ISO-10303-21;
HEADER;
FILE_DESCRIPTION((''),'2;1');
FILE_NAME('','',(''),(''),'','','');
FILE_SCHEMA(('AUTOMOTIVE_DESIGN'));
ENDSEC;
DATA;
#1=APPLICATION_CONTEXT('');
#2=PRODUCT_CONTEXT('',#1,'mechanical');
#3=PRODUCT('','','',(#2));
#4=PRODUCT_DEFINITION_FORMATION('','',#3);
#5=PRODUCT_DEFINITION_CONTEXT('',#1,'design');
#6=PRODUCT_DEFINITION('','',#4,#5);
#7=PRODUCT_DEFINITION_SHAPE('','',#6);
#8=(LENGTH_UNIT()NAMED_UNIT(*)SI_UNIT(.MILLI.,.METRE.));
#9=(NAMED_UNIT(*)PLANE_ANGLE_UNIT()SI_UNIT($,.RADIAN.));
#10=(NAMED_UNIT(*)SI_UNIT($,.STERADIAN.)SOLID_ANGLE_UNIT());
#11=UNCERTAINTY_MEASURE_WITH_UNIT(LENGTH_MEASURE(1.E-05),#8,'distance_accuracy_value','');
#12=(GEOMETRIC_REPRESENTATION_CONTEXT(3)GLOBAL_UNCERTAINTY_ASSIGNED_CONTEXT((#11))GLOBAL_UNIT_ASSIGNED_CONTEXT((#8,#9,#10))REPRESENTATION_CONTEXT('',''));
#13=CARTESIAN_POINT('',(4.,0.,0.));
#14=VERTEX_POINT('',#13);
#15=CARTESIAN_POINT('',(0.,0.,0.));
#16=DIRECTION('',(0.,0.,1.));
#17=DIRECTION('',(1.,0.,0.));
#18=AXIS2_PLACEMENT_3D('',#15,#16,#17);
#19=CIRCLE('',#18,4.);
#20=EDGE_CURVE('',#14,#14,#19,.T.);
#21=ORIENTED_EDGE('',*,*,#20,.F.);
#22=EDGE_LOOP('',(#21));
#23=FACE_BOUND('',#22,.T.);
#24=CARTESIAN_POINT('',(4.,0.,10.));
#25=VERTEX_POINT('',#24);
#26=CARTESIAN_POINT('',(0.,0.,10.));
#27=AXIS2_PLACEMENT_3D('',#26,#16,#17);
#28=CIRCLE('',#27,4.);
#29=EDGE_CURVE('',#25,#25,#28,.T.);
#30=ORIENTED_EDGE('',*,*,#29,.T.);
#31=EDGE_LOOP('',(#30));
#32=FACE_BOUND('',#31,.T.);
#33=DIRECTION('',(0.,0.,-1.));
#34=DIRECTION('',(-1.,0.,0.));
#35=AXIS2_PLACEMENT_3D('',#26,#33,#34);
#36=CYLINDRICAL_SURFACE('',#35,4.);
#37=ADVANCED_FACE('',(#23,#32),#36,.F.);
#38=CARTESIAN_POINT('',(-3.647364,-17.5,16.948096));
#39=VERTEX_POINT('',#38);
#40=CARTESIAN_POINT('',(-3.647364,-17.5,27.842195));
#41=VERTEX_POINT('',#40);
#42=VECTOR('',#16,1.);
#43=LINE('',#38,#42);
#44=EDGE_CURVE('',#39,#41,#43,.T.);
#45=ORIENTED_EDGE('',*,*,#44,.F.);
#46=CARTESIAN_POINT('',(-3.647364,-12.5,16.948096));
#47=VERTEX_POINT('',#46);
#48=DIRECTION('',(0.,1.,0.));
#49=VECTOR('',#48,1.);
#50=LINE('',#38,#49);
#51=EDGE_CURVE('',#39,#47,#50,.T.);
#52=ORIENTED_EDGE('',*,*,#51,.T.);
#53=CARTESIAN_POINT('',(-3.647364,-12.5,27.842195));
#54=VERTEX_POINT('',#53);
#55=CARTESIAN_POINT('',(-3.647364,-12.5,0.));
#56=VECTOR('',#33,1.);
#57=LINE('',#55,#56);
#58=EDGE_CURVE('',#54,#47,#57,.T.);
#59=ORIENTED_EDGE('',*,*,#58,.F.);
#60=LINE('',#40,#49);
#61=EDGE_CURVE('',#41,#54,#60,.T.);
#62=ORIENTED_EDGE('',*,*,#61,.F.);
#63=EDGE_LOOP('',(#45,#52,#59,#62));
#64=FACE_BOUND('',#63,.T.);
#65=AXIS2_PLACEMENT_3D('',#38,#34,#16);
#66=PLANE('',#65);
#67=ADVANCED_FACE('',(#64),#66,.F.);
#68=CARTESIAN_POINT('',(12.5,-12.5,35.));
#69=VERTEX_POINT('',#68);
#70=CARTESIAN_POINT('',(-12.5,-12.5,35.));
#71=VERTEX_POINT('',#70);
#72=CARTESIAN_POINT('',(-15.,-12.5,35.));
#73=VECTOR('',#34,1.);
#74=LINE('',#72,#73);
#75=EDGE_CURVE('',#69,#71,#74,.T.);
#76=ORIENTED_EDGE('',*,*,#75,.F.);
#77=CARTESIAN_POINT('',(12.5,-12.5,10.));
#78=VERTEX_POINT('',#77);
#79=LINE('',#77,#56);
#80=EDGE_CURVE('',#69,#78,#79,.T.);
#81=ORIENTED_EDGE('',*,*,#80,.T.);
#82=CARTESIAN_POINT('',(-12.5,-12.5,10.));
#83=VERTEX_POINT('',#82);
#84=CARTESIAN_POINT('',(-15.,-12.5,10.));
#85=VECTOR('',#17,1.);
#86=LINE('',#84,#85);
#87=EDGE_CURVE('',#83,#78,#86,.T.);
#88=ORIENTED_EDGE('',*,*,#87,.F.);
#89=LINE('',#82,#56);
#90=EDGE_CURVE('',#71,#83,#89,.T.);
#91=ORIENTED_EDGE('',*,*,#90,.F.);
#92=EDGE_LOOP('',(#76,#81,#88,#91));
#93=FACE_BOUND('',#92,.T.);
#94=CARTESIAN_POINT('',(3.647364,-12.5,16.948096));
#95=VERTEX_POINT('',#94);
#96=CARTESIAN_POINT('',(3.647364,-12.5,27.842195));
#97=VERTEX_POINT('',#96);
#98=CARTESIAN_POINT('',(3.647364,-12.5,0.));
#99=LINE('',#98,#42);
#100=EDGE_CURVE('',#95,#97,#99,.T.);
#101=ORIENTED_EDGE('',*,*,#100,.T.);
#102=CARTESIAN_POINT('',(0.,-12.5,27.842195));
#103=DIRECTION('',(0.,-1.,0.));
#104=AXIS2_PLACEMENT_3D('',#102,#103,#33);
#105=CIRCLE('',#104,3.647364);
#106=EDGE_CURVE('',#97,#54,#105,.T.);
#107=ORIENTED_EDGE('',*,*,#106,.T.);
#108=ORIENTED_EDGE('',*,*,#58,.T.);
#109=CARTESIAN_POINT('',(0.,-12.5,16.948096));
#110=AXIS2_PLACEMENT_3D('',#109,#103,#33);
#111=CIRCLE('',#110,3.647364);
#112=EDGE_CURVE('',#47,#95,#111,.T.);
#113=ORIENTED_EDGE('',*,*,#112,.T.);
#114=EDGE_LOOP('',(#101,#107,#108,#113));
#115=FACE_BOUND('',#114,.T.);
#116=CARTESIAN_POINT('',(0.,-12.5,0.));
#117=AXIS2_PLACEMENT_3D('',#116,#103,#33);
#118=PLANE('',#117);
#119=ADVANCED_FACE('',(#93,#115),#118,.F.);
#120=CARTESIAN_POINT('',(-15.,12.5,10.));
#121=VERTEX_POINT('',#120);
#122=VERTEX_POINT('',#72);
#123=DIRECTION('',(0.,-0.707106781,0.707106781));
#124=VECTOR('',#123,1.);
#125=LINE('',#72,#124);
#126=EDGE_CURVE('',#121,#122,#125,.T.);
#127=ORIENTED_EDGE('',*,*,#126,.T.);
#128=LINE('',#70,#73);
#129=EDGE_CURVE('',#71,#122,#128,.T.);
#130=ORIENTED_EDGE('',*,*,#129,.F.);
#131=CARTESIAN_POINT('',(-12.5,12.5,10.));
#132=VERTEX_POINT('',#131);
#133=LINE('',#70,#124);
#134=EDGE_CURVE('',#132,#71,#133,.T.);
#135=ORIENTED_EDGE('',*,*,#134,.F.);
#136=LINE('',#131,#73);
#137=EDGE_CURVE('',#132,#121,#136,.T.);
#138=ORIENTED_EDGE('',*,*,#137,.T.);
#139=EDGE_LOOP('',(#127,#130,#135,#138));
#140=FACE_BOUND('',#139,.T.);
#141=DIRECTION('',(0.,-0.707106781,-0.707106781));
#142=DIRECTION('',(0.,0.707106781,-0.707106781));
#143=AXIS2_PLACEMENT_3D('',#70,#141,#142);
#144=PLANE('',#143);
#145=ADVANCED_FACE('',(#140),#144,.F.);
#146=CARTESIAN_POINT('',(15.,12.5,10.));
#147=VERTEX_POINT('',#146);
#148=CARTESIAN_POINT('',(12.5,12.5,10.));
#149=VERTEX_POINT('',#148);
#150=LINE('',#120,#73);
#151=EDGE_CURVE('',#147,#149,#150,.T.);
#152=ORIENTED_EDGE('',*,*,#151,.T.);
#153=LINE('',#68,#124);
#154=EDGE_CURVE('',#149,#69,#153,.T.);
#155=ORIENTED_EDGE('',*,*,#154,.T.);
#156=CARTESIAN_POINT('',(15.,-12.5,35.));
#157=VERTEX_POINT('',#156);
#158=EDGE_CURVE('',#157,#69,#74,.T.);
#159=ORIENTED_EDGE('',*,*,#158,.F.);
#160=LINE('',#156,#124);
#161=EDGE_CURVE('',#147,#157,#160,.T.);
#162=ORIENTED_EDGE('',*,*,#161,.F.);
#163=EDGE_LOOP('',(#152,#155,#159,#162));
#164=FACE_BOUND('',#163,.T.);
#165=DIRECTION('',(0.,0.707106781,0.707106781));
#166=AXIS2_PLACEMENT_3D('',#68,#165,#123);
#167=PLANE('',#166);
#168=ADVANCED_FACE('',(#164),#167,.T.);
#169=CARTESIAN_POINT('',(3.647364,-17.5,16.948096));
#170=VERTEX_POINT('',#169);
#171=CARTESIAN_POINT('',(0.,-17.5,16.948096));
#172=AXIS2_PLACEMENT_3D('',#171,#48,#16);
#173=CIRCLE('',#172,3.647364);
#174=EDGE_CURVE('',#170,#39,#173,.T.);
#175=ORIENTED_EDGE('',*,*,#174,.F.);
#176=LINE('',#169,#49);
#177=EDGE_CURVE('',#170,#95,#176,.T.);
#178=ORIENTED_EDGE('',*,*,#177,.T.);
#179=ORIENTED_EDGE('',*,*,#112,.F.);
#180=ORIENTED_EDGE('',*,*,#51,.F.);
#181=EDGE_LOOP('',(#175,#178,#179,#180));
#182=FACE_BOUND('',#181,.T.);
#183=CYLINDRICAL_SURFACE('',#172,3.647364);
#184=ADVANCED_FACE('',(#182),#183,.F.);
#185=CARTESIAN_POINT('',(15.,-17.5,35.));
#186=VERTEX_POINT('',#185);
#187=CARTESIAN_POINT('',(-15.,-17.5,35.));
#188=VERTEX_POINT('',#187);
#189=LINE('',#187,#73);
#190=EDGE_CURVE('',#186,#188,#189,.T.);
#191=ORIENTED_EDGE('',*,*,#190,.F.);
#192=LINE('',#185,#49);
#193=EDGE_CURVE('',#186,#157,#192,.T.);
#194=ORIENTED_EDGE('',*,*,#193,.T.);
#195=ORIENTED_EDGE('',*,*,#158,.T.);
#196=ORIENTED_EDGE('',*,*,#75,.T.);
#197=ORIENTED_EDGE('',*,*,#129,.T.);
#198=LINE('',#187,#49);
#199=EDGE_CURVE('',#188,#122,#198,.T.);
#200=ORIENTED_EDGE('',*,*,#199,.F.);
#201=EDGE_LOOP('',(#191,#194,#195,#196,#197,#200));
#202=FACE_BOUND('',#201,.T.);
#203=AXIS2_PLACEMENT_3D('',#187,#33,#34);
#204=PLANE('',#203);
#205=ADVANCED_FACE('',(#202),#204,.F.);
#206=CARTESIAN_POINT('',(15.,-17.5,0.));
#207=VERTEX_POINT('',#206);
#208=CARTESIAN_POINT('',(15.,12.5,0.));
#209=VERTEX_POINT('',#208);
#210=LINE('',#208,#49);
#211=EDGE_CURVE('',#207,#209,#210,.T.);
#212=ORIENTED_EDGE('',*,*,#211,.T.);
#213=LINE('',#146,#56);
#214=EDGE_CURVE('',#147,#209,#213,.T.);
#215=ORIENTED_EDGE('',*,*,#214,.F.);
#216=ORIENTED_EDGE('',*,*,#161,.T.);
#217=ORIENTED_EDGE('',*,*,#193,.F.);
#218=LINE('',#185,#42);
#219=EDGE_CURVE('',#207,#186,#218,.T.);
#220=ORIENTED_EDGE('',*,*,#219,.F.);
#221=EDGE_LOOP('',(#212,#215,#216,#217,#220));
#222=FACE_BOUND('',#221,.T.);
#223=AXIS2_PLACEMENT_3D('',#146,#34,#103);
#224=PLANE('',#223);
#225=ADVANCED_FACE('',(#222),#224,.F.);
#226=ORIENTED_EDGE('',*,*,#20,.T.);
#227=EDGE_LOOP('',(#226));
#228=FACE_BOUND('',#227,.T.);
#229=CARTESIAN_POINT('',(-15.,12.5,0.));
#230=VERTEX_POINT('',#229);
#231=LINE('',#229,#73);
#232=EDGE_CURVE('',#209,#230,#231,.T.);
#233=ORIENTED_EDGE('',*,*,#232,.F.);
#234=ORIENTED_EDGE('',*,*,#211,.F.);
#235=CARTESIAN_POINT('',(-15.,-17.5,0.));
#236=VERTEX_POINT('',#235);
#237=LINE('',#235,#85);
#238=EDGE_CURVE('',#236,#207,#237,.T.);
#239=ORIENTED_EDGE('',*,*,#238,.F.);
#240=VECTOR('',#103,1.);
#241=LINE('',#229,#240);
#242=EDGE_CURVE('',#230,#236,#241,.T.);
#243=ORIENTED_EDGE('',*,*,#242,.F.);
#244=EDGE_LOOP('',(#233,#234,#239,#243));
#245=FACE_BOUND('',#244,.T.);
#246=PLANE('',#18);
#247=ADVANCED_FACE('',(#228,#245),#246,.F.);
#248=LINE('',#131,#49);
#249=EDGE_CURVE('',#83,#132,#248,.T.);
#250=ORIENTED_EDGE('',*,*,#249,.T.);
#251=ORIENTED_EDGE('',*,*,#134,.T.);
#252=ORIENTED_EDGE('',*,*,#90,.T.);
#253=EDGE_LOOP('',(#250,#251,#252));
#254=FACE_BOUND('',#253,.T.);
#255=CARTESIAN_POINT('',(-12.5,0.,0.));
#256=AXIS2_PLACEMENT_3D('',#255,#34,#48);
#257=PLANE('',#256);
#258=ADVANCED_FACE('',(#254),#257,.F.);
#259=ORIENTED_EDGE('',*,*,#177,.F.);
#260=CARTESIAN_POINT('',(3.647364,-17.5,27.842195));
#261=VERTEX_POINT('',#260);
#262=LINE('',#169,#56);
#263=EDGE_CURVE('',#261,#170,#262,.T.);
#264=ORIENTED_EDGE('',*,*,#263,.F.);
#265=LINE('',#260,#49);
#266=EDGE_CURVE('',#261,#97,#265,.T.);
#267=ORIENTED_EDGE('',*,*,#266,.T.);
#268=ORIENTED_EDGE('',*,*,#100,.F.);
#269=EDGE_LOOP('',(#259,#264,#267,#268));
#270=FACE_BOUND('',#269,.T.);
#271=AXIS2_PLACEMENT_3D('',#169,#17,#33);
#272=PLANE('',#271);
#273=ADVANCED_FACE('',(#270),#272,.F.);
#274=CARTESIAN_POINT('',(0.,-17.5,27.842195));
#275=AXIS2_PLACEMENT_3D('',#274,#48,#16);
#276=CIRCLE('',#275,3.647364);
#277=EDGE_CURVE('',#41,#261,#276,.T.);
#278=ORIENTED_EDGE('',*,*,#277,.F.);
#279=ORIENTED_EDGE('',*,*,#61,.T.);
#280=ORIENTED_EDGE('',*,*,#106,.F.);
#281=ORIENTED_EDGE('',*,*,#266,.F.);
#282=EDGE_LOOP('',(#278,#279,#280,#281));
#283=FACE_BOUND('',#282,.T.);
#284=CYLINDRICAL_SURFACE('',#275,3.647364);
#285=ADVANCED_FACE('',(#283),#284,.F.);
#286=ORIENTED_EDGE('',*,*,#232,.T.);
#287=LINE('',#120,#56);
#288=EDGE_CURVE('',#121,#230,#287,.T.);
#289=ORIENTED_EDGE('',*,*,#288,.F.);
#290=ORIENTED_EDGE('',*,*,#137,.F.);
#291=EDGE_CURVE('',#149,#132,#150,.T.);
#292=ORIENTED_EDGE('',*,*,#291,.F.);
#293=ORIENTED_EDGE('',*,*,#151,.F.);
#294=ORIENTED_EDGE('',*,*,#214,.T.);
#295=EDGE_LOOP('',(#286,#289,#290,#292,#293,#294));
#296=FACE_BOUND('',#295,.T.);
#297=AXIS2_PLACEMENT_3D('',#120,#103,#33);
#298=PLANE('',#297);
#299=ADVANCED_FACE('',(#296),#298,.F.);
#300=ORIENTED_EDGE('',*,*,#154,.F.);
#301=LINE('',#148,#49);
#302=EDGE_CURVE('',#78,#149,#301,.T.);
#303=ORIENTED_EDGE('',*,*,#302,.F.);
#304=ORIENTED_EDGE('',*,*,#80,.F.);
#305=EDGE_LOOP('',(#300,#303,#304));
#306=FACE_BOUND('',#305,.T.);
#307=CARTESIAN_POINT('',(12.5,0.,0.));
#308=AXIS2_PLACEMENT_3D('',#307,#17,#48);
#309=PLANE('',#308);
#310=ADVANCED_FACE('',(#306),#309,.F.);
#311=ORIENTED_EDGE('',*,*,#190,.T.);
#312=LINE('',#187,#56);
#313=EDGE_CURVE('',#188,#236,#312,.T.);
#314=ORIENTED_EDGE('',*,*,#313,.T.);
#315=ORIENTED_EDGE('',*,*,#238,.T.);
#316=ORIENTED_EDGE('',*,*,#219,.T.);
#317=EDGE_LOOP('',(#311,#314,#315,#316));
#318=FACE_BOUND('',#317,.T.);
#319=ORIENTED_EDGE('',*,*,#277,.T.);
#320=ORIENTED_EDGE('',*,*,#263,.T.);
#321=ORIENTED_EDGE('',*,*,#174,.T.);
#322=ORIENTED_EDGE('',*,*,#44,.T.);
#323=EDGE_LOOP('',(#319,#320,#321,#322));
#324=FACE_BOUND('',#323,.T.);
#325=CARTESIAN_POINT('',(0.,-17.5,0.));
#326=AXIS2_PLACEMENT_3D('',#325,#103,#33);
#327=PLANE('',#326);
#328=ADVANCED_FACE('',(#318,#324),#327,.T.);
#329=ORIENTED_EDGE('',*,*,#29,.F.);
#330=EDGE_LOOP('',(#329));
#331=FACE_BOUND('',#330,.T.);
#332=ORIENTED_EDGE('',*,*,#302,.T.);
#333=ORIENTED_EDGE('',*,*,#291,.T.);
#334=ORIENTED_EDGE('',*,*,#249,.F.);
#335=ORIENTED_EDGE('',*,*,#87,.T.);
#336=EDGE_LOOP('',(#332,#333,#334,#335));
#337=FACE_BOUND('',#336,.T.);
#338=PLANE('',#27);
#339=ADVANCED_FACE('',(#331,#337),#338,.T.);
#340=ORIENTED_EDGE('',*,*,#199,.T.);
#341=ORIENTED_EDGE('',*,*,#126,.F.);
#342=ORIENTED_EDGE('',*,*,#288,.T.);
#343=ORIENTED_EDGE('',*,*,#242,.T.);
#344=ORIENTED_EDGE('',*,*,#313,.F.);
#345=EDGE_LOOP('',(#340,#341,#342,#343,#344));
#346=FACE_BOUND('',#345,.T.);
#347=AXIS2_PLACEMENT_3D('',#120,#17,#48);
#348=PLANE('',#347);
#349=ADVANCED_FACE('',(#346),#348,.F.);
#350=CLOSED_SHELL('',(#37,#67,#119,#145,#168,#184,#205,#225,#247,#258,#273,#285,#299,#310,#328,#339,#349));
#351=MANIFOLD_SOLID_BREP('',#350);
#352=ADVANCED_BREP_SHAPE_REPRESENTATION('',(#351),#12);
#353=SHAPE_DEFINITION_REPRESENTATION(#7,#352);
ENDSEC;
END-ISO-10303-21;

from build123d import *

# Parameters (mm, degrees)
SKETCH1_W               = 30
SKETCH1_H               = 25
SKETCH1_R               = 4
BOSS_EXTRUDE1_DEPTH     = 10
SKETCH2_W               = 30
SKETCH2_H               = 35
BOSS_EXTRUDE3_DEPTH     = 5
BOSS_EXTRUDE4_DEPTH     = 2.5
CUT_EXTRUDE1_DEPTH      = 26
CUT_EXTRUDE1_DEPTH_BACK = 6


with BuildPart() as part:
    # Sketch1 → Boss-Extrude1 (new body)
    with BuildSketch(Plane.XY):
        Rectangle(SKETCH1_W, SKETCH1_H)
        Circle(SKETCH1_R, mode=Mode.SUBTRACT)
    extrude(amount=BOSS_EXTRUDE1_DEPTH)

    # Sketch2 → Boss-Extrude3 (add)
    with BuildSketch(Plane.XZ.offset(12.5)):
        with Locations((0, 17.5)):
            Rectangle(SKETCH2_W, SKETCH2_H)
    extrude(amount=BOSS_EXTRUDE3_DEPTH)

    # Sketch7 → Boss-Extrude4 (add)
    with BuildSketch(Plane(origin=(15, 0, 0), x_dir=(0, 0, -1), z_dir=(1, 0, 0))):
        Polygon((-35, -12.5), (-10, 12.5), (-10, -12.5), align=None)
    boss_extrude4 = extrude(amount=-BOSS_EXTRUDE4_DEPTH)

    # Mirror1: Boss-Extrude4 across plane
    add(boss_extrude4.mirror(Plane(origin=(0, 0, 0), x_dir=(0, 0, 1), z_dir=(1, 0, 0))))

    # Sketch8 → Cut-Extrude1 (cut, two sides)
    with BuildSketch(Plane(origin=(0, -12.5, 0), x_dir=(1, 0, 0), z_dir=(0, 1, 0))) as cut_extrude1_sk:
        with BuildLine():
            Line((3.647363535, -16.948096307), (3.647363535, -27.842195287))
            ThreePointArc((3.647363535, -27.842195287), (0, -31.489558822), (-3.647363535, -27.842195287))
            Line((-3.647363535, -27.842195287), (-3.647363535, -16.948096307))
            ThreePointArc((-3.647363535, -16.948096307), (0, -13.300732772), (3.647363535, -16.948096307))
        make_face()
    extrude(amount=CUT_EXTRUDE1_DEPTH, mode=Mode.SUBTRACT)
    extrude(cut_extrude1_sk.sketch, amount=-CUT_EXTRUDE1_DEPTH_BACK, mode=Mode.SUBTRACT)


solid = part.part
